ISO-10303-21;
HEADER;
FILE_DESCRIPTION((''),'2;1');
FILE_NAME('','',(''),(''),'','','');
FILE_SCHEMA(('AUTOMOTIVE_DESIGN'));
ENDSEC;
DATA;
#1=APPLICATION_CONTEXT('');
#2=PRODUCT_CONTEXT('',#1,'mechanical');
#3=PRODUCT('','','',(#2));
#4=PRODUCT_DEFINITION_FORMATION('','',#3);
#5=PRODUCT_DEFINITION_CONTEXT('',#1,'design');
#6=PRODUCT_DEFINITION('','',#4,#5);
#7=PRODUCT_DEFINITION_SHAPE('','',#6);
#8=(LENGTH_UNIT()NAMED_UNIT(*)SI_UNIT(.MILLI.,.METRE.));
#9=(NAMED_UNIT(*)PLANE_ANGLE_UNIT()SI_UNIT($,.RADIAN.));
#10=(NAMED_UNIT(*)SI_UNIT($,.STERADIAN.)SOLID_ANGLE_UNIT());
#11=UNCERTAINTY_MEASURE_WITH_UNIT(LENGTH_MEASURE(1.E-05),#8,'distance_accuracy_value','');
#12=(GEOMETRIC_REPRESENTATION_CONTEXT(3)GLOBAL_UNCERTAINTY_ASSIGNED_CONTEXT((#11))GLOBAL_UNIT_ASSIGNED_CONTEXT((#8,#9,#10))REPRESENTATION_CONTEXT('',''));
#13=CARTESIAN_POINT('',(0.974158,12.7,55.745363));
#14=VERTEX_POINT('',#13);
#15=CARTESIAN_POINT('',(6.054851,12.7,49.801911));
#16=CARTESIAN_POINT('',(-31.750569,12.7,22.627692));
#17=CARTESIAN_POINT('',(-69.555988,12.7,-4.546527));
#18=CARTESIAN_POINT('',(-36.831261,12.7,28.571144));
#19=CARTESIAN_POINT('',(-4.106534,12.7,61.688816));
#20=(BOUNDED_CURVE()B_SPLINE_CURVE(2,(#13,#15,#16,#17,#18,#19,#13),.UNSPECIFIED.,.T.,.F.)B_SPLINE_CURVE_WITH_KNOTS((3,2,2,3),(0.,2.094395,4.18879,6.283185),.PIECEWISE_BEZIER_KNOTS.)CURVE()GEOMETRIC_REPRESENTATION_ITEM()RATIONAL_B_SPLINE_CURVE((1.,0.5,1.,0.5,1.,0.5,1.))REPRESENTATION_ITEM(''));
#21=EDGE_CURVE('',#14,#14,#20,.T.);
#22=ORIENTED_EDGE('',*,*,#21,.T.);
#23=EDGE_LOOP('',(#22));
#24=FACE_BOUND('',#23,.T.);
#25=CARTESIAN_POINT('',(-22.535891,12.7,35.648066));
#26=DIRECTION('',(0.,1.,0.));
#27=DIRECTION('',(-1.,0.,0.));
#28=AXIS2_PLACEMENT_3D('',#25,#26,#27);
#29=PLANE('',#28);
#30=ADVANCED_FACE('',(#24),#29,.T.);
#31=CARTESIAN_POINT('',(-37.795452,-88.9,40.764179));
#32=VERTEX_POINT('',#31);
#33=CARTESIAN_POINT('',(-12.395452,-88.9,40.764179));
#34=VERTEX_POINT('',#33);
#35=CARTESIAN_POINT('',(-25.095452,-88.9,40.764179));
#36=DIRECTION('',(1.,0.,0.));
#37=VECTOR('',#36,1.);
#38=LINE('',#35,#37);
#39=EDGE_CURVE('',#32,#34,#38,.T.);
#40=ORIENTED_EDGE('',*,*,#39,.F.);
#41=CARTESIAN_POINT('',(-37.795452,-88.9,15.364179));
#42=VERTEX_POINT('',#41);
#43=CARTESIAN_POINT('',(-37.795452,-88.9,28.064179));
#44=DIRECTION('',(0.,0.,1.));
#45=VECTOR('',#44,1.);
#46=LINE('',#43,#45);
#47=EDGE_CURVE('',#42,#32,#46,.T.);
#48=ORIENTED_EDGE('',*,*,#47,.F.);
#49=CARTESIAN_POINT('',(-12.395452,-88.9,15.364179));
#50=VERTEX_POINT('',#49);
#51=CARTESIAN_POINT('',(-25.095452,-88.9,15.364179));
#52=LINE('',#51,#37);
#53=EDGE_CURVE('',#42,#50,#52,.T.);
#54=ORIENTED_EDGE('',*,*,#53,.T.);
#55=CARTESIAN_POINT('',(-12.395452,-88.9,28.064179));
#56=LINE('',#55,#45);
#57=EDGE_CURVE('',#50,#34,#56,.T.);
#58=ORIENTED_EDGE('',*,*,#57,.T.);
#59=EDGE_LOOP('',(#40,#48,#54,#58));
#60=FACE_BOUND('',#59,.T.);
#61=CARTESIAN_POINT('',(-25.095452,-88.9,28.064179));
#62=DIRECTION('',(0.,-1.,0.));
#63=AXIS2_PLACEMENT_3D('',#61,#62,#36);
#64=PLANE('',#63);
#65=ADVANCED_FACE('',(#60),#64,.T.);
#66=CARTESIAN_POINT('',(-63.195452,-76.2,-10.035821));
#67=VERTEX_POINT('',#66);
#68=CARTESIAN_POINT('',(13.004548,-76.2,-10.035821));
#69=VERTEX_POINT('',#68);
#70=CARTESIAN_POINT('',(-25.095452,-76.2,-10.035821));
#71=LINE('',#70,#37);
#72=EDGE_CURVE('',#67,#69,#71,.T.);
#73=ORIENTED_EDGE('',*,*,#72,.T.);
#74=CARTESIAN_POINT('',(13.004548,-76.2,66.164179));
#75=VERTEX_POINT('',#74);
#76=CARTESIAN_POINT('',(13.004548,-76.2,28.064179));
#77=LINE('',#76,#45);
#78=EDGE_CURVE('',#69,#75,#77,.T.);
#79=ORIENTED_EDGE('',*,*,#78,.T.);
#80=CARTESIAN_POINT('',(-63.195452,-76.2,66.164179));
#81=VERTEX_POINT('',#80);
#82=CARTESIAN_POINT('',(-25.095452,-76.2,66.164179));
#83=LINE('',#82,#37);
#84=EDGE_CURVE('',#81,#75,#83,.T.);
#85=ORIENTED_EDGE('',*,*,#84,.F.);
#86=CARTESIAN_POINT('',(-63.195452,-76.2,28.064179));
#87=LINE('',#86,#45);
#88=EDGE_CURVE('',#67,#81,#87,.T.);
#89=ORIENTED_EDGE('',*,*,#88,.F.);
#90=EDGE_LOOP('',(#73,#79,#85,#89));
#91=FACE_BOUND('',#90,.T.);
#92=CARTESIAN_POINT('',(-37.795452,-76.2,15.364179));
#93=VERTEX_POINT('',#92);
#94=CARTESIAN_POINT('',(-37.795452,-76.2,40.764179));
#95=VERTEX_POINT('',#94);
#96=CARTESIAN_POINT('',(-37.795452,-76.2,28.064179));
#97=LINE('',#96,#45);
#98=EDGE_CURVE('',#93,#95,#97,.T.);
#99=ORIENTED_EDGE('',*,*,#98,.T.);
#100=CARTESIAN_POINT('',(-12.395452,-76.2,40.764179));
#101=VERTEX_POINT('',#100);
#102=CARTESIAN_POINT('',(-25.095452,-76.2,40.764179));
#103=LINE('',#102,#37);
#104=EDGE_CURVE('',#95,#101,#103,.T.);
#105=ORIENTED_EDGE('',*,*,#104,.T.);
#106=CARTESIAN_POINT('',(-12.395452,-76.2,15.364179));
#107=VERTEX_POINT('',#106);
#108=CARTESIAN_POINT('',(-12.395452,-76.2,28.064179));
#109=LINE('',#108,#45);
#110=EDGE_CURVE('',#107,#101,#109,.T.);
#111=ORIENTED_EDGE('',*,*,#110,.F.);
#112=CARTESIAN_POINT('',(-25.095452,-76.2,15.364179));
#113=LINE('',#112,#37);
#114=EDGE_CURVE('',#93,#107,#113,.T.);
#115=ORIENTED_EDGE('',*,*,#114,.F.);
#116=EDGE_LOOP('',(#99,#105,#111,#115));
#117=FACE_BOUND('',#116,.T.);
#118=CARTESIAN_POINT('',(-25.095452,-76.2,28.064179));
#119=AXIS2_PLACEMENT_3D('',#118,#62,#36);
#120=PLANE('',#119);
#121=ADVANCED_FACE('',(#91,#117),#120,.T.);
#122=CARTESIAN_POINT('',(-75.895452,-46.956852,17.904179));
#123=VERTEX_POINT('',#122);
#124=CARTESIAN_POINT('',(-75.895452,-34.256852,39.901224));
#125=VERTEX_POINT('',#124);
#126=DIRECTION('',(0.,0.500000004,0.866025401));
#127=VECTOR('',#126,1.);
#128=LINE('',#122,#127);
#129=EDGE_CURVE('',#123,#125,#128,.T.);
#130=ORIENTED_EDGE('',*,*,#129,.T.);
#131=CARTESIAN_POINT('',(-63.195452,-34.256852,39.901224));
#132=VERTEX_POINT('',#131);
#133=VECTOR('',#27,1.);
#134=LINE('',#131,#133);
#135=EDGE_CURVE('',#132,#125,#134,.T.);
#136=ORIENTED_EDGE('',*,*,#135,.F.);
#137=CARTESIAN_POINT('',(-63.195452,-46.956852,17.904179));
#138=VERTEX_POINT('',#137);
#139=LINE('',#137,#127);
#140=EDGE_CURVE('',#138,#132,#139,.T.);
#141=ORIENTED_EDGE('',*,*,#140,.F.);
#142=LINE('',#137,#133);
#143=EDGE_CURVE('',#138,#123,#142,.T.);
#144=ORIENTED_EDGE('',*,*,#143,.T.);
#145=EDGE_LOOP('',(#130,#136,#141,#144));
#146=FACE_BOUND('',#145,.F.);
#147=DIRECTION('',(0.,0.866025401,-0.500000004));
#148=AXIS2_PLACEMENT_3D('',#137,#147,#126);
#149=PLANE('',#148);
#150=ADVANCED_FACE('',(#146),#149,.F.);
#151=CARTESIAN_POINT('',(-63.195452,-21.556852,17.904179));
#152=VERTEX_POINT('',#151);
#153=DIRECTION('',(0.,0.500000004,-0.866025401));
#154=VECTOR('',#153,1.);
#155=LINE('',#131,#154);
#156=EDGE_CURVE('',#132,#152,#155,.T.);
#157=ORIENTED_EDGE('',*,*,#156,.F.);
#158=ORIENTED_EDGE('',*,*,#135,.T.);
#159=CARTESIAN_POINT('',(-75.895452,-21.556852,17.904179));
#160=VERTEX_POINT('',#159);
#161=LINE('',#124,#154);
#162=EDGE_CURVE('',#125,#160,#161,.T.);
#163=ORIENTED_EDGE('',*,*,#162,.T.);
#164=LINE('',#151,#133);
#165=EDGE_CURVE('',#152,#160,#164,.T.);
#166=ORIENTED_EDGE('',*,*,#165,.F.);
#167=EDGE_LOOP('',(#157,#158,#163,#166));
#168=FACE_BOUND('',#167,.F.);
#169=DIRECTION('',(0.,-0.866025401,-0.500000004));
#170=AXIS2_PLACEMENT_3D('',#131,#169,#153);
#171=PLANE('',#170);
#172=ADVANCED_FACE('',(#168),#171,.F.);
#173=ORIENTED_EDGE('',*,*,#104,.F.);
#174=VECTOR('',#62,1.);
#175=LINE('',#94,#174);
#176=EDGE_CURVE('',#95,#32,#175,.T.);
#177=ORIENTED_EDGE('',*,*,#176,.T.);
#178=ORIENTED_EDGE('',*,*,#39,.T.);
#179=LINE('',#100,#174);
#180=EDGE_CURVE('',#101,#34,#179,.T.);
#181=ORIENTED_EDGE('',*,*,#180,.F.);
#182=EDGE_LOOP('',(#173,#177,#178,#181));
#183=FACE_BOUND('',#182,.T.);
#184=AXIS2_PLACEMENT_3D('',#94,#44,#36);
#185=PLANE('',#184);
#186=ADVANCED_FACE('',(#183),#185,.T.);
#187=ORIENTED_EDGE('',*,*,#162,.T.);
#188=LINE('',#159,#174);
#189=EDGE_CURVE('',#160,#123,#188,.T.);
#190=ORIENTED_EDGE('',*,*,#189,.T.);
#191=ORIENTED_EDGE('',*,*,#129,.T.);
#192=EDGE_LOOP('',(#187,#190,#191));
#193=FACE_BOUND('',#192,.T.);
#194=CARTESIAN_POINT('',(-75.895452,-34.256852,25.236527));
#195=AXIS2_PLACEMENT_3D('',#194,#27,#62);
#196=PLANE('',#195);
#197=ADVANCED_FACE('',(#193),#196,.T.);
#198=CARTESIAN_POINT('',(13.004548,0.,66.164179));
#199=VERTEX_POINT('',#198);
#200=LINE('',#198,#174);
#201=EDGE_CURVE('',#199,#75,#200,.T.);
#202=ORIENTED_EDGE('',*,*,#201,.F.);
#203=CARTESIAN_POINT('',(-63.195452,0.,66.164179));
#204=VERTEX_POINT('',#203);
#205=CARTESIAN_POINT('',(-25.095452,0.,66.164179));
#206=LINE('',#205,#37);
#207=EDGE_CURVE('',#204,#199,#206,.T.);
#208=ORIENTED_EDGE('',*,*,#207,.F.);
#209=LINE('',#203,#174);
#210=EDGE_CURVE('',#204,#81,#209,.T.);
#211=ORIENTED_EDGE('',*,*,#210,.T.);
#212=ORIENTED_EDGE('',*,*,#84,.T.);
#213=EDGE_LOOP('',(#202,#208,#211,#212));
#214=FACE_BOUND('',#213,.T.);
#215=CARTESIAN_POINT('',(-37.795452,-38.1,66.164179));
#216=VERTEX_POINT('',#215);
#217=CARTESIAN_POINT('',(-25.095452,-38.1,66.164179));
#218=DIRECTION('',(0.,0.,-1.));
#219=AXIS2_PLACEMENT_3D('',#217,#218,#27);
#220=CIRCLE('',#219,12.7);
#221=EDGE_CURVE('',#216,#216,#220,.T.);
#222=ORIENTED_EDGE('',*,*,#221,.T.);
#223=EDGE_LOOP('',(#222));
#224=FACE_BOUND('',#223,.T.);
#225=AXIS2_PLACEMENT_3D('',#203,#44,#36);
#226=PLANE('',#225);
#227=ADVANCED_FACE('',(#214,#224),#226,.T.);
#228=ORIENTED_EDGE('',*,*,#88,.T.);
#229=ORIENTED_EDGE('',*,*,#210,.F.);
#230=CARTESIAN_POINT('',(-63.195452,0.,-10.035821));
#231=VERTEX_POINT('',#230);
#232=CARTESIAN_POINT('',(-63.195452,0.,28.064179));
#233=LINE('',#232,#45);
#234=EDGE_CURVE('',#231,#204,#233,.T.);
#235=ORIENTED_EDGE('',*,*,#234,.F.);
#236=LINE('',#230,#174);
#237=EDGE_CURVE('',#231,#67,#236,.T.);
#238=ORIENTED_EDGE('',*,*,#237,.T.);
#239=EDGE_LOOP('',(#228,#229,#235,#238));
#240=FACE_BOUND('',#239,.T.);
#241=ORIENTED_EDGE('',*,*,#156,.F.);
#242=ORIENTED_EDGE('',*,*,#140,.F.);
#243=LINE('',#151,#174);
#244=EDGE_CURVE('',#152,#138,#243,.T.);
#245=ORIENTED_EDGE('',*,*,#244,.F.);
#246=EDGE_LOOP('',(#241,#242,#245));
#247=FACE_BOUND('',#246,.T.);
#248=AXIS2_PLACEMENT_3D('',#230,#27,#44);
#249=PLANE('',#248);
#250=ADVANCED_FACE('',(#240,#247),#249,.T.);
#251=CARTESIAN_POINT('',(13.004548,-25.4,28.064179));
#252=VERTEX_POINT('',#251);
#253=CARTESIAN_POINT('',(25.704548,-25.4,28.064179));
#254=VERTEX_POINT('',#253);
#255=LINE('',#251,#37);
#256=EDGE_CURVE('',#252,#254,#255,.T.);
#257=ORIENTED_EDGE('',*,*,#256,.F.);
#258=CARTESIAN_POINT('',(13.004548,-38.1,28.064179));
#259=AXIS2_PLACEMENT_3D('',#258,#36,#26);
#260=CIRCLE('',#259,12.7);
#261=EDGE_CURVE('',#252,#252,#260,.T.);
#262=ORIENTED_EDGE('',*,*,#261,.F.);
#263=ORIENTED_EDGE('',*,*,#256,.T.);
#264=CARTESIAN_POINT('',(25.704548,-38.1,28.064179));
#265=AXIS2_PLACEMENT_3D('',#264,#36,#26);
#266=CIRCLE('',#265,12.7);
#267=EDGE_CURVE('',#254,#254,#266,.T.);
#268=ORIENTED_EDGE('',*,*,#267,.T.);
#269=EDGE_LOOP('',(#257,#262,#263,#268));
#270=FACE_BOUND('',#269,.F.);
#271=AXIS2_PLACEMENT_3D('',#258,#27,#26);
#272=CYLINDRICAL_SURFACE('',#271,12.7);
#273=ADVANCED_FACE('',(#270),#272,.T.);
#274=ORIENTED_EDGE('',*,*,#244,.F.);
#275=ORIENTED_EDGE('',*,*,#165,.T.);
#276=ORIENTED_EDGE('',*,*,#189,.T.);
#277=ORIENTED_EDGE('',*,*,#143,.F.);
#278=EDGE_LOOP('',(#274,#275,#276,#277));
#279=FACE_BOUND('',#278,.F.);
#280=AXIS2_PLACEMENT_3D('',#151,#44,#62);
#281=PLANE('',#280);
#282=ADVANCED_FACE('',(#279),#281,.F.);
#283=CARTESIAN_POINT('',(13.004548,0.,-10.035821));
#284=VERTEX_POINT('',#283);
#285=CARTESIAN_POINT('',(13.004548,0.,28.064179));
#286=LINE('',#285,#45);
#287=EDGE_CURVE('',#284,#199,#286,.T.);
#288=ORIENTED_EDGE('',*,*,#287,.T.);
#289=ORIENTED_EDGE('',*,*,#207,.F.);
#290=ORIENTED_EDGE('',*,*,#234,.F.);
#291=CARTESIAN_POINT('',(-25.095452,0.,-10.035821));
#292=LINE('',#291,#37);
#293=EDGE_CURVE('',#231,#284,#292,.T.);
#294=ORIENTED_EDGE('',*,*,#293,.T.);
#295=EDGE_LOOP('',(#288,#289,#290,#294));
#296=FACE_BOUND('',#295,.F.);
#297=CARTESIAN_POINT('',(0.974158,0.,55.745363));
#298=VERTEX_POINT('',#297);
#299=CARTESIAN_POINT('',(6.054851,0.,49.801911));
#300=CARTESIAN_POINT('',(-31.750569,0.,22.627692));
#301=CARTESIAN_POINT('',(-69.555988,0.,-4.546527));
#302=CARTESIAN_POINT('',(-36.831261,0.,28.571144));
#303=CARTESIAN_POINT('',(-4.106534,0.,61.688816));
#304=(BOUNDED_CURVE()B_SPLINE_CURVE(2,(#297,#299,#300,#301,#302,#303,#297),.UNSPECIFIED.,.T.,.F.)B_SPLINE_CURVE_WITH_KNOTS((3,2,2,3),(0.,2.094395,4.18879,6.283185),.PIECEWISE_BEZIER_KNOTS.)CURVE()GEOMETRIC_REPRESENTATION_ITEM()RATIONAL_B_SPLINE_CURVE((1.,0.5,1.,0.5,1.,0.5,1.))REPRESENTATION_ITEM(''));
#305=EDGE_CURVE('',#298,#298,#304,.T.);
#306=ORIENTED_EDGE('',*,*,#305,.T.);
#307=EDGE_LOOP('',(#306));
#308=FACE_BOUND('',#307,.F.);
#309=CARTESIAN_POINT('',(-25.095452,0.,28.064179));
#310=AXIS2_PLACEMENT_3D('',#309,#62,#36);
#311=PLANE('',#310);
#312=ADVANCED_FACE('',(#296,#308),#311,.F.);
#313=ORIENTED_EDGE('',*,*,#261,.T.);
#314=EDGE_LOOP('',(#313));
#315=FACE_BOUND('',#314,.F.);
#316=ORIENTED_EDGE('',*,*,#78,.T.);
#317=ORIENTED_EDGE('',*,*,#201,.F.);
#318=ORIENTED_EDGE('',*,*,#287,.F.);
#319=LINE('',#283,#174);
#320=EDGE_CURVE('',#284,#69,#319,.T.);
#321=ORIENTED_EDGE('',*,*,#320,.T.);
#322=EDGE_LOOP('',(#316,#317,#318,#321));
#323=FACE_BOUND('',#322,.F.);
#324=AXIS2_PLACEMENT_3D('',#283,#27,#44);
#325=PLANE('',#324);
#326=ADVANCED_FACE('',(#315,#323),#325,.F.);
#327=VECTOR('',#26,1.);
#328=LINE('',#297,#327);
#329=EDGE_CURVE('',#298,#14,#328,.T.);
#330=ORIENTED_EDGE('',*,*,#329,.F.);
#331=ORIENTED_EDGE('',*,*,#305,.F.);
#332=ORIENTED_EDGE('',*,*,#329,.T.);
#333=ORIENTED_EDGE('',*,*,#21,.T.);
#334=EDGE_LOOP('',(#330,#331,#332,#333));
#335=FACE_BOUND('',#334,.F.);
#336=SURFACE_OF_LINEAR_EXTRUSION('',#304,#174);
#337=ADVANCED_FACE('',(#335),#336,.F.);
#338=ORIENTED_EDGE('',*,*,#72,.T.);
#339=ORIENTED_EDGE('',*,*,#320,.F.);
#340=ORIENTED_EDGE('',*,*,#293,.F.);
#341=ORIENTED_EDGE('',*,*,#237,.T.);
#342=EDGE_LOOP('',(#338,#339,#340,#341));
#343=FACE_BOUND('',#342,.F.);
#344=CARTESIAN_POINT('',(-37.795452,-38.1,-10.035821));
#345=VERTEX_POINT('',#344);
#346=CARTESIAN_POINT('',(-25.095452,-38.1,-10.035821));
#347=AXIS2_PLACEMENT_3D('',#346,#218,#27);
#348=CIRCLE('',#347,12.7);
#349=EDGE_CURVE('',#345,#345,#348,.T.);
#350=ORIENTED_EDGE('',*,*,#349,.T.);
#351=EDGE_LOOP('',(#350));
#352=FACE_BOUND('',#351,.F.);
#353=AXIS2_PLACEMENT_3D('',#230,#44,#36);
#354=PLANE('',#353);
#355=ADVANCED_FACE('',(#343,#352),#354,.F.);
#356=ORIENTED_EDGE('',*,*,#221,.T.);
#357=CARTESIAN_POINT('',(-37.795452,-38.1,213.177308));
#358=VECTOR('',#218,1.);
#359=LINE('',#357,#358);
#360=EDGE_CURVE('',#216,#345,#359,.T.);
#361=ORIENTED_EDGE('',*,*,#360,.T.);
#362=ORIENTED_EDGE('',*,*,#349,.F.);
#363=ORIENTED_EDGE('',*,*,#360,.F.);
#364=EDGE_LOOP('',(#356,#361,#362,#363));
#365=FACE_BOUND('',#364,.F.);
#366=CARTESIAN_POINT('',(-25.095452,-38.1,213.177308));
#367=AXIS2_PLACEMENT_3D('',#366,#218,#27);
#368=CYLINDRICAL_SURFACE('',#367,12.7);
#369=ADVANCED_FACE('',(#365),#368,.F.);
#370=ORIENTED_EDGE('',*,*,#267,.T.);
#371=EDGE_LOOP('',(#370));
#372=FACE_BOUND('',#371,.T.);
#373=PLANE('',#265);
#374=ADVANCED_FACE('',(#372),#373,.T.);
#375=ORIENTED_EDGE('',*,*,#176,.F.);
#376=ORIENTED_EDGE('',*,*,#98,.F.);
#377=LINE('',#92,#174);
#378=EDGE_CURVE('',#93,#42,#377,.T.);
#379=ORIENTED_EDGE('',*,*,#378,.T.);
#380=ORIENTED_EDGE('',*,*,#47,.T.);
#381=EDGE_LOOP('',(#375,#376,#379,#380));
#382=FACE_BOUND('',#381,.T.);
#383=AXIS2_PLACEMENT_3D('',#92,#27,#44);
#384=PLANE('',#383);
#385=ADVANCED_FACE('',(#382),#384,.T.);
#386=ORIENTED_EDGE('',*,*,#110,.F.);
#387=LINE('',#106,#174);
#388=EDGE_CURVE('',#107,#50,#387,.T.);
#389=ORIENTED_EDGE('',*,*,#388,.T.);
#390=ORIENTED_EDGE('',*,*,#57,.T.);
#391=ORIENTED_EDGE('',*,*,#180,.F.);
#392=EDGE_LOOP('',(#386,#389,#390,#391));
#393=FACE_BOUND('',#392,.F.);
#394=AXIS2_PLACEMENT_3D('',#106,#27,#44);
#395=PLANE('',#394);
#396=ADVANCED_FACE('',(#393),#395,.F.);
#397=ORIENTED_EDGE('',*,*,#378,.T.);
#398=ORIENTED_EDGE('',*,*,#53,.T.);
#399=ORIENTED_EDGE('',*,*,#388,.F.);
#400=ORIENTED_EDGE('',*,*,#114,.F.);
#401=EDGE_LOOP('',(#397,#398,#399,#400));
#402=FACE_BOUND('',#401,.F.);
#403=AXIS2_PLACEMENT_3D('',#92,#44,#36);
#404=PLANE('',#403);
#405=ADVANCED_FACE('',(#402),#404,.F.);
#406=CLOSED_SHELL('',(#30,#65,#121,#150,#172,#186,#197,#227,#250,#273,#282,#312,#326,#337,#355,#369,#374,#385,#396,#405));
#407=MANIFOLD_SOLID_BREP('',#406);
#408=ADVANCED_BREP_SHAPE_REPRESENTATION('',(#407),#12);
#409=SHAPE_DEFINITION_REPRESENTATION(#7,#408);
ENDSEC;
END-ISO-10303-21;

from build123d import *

# Parameters (mm, degrees)
F0_W      = 76.2
F0_H      = 76.2
F1_DEPTH  = 76.2
F2_W      = 25.4
F2_H      = 25.4
F3_DEPTH  = 12.7
F4_R      = 12.7
F5_DEPTH  = 12.7
F7_D      = 25.4
F9_DEPTH  = 12.7
F11_DEPTH = 12.7


with BuildPart() as f1:
    # F0 (on Front) → F1 (new body)
    with BuildSketch(Plane.XZ):
        with Locations((-25.095452, 28.064179)):
            Rectangle(F0_W, F0_H)
    extrude(amount=F1_DEPTH)

    # F2 (on face) → F3 (join)
    with BuildSketch(Plane.XZ.offset(76.2)):
        with Locations((-25.095452, 28.064179)):
            Rectangle(F2_W, F2_H)
    extrude(amount=F3_DEPTH)

    # F4 (on face) → F5 (join)
    with BuildSketch(Plane.YZ.offset(13.004548)):
        with Locations((-38.1, 28.064179)):
            Circle(F4_R)
    extrude(amount=F5_DEPTH)

    # F7 (through all)
    with Locations(Plane.XY.offset(66.164179)):
        with Locations((-25.095452, -38.1)):
            Hole(F7_D / 2)

    # F8 (on face) → F9 (join)
    with BuildSketch(Plane(origin=(-63.195452, 0, 0), x_dir=(0, -1, 0), z_dir=(-1, 0, 0))):
        Polygon((46.956852, 17.904179), (34.256852, 39.901224), (21.556852, 17.904179), align=None)
    extrude(amount=F9_DEPTH)

    # F10 (on face) → F11 (join)
    with BuildSketch(Plane(origin=(0, 0, 0), x_dir=(-1, 0, 0), z_dir=(0, 1, 0))):
        with BuildLine():
            add(Edge.make_bspline(
                [(-0.974158, 55.745363), (-6.054851, 49.801911), (31.750569, 22.627692), (69.555988, -4.546527), (36.831261, 28.571144), (4.106534, 61.688816), (-0.974158, 55.745363)],
                knots=[0, 0, 0, 2.094395, 2.094395, 4.18879, 4.18879, 6.283185, 6.283185, 6.283185], degree=2, weights=[1, 0.5, 1, 0.5, 1, 0.5, 1]))
        make_face()
    extrude(amount=F11_DEPTH)


solid = f1.part
